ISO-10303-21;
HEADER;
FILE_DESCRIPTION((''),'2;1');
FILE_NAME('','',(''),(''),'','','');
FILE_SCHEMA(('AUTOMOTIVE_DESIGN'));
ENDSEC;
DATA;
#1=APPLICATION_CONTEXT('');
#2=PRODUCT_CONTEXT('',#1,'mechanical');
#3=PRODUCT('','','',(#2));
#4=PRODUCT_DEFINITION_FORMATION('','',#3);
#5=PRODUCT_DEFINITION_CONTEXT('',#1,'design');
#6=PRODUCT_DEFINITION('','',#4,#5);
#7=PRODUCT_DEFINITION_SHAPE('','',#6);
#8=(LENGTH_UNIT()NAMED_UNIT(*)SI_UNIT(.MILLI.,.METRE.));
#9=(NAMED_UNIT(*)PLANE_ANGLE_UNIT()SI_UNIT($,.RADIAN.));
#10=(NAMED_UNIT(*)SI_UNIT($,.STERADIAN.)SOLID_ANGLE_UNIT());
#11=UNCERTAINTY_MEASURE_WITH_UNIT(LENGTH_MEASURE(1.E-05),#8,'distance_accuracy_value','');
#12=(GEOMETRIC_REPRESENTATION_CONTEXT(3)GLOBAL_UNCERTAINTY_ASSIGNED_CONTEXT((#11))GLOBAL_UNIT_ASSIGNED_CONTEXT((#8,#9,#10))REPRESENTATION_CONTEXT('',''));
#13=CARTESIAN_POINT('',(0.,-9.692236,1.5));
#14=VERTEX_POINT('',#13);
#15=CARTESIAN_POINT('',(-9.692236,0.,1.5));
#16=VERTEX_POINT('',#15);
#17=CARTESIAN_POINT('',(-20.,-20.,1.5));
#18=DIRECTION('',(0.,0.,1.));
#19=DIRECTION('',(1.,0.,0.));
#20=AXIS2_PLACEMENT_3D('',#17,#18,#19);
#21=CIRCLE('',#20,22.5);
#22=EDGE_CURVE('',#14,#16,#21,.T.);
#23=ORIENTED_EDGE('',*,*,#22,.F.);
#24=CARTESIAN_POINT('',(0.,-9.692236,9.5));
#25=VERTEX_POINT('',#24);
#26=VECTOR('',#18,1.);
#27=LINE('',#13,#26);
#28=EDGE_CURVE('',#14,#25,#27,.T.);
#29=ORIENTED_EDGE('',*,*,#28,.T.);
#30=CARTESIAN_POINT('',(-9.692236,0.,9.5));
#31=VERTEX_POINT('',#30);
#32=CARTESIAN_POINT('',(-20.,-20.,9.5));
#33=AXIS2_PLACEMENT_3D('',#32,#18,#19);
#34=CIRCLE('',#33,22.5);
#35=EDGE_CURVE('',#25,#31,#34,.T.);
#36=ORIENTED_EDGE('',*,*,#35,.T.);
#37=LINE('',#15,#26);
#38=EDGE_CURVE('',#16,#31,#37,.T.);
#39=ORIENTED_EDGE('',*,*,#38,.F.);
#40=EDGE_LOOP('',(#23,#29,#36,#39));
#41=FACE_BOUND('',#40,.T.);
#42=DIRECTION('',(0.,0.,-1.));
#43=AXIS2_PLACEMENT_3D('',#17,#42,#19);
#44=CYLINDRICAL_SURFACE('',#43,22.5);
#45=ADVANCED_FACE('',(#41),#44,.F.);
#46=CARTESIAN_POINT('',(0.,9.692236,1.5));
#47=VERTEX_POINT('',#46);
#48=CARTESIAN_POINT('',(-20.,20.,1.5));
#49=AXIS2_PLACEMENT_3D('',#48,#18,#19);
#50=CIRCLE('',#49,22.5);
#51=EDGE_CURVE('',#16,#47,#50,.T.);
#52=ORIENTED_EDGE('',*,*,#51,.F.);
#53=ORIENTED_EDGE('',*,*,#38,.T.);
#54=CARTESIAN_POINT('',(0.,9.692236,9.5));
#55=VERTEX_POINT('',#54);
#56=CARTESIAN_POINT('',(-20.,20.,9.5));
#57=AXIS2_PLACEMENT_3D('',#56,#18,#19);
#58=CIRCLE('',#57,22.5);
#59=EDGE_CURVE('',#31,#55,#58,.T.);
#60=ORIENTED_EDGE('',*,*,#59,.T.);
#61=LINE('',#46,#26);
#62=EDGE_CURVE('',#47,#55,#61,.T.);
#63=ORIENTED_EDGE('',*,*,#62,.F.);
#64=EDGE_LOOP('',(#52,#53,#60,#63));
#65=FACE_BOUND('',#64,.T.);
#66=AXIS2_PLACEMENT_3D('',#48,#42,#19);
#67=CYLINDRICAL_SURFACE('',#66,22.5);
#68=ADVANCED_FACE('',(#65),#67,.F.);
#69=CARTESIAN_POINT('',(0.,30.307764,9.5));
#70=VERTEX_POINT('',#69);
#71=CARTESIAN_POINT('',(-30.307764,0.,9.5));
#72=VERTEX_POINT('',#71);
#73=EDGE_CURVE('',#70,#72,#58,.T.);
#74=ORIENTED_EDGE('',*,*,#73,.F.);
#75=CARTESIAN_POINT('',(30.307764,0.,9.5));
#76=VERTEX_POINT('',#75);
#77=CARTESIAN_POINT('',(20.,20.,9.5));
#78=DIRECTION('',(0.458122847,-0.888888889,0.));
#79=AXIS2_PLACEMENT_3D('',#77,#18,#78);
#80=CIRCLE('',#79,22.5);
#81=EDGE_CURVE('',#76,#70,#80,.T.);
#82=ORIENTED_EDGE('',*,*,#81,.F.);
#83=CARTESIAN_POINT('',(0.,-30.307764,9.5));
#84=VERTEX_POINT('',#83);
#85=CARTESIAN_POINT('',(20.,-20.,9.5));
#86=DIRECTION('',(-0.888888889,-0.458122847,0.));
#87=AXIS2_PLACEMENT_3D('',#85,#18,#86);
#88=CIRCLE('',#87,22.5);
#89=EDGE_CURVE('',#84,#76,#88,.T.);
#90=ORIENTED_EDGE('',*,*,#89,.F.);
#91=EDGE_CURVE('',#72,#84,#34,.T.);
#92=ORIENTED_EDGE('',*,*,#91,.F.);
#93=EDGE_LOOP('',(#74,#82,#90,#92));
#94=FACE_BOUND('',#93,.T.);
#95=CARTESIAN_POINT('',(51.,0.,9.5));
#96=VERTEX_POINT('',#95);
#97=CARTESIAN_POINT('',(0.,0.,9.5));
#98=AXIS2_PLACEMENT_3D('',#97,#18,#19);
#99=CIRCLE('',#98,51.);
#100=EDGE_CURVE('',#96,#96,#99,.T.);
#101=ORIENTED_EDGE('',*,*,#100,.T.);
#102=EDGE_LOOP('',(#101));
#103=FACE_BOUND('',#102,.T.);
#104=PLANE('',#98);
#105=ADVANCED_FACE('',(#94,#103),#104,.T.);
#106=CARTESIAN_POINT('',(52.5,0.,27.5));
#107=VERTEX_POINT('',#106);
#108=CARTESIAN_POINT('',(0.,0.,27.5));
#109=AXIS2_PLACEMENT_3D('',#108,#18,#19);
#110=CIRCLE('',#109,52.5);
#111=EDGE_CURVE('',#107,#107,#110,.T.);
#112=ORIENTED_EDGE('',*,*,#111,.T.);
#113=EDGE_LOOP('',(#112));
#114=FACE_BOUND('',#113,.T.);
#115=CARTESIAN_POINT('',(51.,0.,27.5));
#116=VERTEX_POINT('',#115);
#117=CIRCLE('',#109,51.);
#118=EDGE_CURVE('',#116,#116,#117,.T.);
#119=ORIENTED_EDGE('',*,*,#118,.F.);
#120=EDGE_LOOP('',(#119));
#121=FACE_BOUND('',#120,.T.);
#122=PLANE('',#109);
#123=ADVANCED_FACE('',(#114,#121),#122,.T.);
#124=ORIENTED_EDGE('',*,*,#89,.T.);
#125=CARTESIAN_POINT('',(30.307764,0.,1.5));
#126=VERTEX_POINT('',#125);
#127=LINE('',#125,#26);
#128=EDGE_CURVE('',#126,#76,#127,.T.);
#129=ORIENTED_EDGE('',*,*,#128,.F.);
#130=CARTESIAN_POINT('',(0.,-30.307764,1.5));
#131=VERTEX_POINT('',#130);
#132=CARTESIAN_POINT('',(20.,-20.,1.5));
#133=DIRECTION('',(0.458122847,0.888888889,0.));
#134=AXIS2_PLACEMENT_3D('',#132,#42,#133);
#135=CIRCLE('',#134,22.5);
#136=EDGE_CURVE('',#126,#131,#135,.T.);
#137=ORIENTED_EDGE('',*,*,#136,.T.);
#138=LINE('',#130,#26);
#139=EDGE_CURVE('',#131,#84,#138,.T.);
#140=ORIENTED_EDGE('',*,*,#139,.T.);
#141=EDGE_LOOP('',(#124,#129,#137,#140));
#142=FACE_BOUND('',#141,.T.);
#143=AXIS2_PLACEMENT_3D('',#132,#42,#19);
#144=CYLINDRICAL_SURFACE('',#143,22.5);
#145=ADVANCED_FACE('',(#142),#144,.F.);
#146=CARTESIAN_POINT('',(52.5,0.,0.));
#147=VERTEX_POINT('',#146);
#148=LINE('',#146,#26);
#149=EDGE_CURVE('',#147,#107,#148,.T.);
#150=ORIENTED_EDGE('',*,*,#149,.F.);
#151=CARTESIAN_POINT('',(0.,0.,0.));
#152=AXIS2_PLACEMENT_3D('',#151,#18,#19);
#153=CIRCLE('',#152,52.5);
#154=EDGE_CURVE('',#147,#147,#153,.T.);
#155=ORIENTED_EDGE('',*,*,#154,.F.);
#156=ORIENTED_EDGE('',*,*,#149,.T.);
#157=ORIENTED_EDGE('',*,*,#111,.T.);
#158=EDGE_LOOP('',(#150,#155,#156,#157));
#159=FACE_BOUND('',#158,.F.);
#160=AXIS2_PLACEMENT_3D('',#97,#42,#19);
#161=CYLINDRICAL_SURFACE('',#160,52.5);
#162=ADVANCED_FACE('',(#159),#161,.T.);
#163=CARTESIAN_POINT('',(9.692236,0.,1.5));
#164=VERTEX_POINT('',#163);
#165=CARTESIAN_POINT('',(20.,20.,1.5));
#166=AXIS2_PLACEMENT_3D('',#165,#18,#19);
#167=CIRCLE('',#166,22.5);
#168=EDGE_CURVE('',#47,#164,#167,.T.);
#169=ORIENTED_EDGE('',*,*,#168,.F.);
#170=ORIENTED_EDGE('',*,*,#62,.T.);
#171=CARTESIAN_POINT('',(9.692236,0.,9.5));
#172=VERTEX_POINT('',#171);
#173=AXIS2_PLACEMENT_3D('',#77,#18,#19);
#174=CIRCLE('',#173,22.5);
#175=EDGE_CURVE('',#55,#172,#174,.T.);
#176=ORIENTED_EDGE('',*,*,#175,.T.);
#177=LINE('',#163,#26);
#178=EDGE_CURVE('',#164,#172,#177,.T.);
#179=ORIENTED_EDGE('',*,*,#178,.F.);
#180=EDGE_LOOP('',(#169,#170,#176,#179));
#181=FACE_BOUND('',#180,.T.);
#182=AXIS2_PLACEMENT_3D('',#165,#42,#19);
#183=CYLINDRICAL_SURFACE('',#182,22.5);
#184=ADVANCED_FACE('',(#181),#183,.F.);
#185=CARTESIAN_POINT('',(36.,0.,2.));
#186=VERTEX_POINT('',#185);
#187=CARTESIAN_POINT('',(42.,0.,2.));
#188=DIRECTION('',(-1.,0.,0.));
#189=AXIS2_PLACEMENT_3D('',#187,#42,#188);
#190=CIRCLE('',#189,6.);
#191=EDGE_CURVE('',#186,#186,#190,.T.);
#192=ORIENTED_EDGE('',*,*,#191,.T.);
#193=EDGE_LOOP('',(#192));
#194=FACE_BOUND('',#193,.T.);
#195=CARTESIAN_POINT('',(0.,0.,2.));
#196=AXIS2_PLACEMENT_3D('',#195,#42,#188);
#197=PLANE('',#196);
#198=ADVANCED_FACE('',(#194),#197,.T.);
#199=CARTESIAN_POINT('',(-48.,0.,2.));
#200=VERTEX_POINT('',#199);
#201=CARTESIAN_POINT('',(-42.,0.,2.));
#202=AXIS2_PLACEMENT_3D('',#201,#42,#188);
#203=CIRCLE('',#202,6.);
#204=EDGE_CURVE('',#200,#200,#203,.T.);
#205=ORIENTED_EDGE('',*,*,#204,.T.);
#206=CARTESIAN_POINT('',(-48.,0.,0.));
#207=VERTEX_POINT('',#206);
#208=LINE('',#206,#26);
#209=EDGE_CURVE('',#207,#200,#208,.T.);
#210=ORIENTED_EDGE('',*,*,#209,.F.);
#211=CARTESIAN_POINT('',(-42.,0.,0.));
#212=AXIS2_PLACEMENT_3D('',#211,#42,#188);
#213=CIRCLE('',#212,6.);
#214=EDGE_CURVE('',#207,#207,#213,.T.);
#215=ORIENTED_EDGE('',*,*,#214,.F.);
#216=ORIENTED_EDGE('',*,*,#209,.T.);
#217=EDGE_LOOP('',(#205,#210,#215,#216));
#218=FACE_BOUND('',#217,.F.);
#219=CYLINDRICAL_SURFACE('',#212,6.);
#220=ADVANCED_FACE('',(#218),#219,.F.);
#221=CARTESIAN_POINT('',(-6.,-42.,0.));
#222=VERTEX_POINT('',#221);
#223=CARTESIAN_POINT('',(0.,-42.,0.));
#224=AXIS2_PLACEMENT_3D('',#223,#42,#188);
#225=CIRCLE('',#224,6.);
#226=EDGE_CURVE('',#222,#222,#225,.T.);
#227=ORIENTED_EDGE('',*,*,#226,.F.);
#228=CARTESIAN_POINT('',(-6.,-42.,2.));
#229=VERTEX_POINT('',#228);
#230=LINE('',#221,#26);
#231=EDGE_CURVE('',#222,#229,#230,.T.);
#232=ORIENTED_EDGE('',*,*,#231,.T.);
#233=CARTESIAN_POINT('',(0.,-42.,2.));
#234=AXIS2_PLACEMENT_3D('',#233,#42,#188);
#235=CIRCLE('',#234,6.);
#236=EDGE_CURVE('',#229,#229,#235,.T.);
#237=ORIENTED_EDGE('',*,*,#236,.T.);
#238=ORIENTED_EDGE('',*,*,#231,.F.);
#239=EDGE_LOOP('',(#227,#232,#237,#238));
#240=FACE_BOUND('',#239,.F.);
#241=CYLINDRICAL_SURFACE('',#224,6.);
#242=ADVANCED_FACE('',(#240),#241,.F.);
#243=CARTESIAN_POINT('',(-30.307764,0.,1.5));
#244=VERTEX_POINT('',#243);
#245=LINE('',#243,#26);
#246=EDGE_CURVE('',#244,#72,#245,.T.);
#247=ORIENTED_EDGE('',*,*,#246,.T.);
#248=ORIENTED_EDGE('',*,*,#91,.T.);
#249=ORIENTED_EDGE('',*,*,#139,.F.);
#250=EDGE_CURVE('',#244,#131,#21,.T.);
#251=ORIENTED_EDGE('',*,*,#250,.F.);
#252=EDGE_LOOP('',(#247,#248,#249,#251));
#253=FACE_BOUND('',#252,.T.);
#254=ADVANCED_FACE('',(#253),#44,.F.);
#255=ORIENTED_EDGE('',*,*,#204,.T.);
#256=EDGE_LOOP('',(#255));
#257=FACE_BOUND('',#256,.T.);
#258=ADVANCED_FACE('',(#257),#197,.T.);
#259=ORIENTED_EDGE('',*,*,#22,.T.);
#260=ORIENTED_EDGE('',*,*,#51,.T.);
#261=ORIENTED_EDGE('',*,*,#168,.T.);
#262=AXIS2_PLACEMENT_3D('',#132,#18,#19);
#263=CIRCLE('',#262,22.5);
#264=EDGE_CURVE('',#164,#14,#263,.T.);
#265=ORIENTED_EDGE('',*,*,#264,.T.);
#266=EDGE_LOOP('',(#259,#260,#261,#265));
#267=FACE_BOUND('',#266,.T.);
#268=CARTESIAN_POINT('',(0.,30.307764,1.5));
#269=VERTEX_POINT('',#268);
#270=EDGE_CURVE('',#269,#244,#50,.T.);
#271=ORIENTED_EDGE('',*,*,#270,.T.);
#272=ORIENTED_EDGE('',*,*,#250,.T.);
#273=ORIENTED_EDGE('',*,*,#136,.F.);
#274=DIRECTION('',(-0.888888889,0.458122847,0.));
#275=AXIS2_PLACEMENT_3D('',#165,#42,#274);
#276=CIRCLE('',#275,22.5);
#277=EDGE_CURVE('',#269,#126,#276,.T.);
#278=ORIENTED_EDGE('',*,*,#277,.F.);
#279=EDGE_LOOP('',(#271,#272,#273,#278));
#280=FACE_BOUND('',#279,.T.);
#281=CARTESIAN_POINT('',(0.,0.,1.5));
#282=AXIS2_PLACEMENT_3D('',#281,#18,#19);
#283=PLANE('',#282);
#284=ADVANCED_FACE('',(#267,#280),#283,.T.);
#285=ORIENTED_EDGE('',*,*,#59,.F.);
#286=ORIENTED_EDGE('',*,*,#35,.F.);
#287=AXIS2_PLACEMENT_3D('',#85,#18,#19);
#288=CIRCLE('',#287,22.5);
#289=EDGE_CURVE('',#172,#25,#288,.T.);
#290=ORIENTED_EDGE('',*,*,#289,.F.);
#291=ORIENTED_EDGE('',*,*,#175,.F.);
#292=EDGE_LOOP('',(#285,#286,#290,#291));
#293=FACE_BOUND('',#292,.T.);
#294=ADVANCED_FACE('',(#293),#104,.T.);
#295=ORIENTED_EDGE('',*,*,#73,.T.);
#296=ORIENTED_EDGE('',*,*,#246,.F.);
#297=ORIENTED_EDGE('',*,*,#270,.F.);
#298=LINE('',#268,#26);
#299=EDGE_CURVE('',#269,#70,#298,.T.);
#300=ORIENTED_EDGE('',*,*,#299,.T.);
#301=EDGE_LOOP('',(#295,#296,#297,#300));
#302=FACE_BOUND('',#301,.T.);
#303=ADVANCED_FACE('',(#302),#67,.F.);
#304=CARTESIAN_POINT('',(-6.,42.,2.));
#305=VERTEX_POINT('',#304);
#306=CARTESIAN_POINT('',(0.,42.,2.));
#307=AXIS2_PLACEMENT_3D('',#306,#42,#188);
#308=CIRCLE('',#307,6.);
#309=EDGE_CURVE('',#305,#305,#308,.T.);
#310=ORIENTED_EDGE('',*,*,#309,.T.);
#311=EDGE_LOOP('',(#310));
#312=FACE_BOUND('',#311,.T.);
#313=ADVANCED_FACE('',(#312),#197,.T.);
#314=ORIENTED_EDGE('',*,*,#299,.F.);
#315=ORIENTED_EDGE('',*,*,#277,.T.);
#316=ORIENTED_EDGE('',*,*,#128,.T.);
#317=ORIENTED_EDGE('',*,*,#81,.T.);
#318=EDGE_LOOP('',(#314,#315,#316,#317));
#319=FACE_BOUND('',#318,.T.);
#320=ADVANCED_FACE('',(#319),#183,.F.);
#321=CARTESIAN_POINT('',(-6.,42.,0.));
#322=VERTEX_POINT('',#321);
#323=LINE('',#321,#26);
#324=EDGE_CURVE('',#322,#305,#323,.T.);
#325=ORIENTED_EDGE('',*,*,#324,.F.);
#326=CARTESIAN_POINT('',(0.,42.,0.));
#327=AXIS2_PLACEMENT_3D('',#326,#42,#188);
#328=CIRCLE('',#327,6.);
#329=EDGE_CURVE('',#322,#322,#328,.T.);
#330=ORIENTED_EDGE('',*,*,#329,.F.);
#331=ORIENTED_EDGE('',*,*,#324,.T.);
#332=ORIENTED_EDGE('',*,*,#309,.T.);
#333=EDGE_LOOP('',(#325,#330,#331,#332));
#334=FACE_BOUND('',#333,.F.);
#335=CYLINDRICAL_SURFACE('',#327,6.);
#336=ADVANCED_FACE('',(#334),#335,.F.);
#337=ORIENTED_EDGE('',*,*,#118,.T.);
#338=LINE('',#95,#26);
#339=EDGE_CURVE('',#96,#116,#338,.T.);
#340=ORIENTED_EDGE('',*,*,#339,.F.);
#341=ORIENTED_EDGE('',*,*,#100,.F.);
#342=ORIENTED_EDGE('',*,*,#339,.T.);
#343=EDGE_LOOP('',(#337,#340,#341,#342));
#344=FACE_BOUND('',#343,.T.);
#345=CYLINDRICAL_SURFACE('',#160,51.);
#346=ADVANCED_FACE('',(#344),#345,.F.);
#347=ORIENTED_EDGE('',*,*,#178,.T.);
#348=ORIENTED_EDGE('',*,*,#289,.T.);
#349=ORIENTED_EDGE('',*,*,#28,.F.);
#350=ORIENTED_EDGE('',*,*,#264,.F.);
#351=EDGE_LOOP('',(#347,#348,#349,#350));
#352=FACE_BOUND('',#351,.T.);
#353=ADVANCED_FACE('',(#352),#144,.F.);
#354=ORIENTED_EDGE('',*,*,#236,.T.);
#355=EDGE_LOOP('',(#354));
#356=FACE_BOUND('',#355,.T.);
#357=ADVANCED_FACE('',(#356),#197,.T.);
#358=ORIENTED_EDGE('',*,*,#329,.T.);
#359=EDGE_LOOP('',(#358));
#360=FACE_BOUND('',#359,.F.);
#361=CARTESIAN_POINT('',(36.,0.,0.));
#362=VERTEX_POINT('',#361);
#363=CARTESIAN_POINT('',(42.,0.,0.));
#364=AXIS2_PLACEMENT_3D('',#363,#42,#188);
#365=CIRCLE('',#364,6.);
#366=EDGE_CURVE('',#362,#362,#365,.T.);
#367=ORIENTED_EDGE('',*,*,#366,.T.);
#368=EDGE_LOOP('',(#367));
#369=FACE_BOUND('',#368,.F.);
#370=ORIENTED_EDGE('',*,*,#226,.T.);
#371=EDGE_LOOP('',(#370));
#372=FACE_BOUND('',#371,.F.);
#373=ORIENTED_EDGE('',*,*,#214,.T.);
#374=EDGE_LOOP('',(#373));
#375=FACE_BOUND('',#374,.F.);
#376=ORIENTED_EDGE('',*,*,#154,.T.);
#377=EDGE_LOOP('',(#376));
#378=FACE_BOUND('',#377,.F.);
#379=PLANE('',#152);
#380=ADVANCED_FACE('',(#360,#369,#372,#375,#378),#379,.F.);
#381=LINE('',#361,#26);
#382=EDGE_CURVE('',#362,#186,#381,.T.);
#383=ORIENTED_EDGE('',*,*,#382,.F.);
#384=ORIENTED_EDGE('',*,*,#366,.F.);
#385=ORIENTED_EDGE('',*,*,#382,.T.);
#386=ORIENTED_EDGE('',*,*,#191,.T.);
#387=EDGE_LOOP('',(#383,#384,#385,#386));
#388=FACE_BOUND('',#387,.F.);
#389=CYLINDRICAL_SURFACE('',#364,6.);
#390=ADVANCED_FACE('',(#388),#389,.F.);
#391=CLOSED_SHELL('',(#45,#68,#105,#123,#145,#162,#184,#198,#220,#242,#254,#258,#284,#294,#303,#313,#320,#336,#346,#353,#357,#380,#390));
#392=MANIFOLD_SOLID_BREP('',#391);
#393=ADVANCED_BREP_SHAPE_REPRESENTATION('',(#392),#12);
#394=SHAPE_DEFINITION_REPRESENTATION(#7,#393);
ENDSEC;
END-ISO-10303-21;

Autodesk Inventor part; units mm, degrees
ref_plane "YZ Plane" through (0, 0, 0) normal (1, 0, 0) x (0, 1, 0)
ref_plane "XZ Plane" through (0, 0, 0) normal (0, 1, 0) x (-1, 0, 0)
ref_plane "XY Plane" through (0, 0, 0) normal (0, 0, 1) x (1, 0, 0)
sketch "Sketch1" plane through (0, 0, 0) normal (0, 0, 1) x (1, 0, 0)
  circle A0 centre (0, 0) radius 50 construction
  circle A1 centre (0, 0) radius 52.5
  dimension "d0" = 100
  dimension "d1" = 105
extrude "Extrusion1" add sketch "Sketch1" along normal blind 1.5
sketch "Sketch2" plane through (0, 0, 1.5) normal (0, 0, 1) x (1, 0, 0)
  line L0 (-20, -20) -> (20, -20) construction
  line L1 (20, -20) -> (20, 20) construction
  line L2 (20, 20) -> (-20, 20) construction
  line L3 (-20, 20) -> (-20, -20) construction
  line L4 (-20, -20) -> (20, 20) construction
  line L5 (20, -20) -> (-20, 20) construction
  circle A0 centre (-20, 20) radius 22.5
  circle A1 centre (20, 20) radius 22.5
  circle A2 centre (20, -20) radius 22.5
  circle A3 centre (-20, -20) radius 22.5
  circle A4 centre (0, 0) radius 52.5 projected
  point P0 (-9.6922, 0)
  point P1 (0, -9.6922)
  point P2 (9.6922, 0)
  point P3 (0, 9.6922)
  point P4 (0, -30.3078)
  point P5 (-30.3078, 0)
  point P6 (0, 30.3078)
  point P7 (30.3078, 0)
  dimension "d4" = 45
  dimension "d5" = 40
extrude "Extrusion2" add sketch "Sketch2" along normal blind 8 contours A1 A2 A3 A0 | A4
sketch "Sketch3" plane through (0, 0, 9.5) normal (0, 0, 1) x (1, 0, 0)
  circle A0 centre (0, 0) radius 51
  circle A1 centre (0, 0) radius 52.5 projected
  dimension "d8" = 1.5
extrude "Extrusion3" add sketch "Sketch3" along normal blind 18
sketch "Sketch4" plane through (0, 0, 0) normal (0, 0, -1) x (-1, 0, 0)
  line L0 (0, 0) -> (42, 0) construction
  circle A0 centre (42, 0) radius 6
  circle A1 centre (0, 42) radius 6
  circle A2 centre (-42, 0) radius 6
  circle A3 centre (0, -42) radius 6
  dimension "d11" = 12
  dimension "d12" = 42
  dimension "d15" = 360
extrude "Extrusion4" cut sketch "Sketch4" against normal blind 2
properties part number "Base"
